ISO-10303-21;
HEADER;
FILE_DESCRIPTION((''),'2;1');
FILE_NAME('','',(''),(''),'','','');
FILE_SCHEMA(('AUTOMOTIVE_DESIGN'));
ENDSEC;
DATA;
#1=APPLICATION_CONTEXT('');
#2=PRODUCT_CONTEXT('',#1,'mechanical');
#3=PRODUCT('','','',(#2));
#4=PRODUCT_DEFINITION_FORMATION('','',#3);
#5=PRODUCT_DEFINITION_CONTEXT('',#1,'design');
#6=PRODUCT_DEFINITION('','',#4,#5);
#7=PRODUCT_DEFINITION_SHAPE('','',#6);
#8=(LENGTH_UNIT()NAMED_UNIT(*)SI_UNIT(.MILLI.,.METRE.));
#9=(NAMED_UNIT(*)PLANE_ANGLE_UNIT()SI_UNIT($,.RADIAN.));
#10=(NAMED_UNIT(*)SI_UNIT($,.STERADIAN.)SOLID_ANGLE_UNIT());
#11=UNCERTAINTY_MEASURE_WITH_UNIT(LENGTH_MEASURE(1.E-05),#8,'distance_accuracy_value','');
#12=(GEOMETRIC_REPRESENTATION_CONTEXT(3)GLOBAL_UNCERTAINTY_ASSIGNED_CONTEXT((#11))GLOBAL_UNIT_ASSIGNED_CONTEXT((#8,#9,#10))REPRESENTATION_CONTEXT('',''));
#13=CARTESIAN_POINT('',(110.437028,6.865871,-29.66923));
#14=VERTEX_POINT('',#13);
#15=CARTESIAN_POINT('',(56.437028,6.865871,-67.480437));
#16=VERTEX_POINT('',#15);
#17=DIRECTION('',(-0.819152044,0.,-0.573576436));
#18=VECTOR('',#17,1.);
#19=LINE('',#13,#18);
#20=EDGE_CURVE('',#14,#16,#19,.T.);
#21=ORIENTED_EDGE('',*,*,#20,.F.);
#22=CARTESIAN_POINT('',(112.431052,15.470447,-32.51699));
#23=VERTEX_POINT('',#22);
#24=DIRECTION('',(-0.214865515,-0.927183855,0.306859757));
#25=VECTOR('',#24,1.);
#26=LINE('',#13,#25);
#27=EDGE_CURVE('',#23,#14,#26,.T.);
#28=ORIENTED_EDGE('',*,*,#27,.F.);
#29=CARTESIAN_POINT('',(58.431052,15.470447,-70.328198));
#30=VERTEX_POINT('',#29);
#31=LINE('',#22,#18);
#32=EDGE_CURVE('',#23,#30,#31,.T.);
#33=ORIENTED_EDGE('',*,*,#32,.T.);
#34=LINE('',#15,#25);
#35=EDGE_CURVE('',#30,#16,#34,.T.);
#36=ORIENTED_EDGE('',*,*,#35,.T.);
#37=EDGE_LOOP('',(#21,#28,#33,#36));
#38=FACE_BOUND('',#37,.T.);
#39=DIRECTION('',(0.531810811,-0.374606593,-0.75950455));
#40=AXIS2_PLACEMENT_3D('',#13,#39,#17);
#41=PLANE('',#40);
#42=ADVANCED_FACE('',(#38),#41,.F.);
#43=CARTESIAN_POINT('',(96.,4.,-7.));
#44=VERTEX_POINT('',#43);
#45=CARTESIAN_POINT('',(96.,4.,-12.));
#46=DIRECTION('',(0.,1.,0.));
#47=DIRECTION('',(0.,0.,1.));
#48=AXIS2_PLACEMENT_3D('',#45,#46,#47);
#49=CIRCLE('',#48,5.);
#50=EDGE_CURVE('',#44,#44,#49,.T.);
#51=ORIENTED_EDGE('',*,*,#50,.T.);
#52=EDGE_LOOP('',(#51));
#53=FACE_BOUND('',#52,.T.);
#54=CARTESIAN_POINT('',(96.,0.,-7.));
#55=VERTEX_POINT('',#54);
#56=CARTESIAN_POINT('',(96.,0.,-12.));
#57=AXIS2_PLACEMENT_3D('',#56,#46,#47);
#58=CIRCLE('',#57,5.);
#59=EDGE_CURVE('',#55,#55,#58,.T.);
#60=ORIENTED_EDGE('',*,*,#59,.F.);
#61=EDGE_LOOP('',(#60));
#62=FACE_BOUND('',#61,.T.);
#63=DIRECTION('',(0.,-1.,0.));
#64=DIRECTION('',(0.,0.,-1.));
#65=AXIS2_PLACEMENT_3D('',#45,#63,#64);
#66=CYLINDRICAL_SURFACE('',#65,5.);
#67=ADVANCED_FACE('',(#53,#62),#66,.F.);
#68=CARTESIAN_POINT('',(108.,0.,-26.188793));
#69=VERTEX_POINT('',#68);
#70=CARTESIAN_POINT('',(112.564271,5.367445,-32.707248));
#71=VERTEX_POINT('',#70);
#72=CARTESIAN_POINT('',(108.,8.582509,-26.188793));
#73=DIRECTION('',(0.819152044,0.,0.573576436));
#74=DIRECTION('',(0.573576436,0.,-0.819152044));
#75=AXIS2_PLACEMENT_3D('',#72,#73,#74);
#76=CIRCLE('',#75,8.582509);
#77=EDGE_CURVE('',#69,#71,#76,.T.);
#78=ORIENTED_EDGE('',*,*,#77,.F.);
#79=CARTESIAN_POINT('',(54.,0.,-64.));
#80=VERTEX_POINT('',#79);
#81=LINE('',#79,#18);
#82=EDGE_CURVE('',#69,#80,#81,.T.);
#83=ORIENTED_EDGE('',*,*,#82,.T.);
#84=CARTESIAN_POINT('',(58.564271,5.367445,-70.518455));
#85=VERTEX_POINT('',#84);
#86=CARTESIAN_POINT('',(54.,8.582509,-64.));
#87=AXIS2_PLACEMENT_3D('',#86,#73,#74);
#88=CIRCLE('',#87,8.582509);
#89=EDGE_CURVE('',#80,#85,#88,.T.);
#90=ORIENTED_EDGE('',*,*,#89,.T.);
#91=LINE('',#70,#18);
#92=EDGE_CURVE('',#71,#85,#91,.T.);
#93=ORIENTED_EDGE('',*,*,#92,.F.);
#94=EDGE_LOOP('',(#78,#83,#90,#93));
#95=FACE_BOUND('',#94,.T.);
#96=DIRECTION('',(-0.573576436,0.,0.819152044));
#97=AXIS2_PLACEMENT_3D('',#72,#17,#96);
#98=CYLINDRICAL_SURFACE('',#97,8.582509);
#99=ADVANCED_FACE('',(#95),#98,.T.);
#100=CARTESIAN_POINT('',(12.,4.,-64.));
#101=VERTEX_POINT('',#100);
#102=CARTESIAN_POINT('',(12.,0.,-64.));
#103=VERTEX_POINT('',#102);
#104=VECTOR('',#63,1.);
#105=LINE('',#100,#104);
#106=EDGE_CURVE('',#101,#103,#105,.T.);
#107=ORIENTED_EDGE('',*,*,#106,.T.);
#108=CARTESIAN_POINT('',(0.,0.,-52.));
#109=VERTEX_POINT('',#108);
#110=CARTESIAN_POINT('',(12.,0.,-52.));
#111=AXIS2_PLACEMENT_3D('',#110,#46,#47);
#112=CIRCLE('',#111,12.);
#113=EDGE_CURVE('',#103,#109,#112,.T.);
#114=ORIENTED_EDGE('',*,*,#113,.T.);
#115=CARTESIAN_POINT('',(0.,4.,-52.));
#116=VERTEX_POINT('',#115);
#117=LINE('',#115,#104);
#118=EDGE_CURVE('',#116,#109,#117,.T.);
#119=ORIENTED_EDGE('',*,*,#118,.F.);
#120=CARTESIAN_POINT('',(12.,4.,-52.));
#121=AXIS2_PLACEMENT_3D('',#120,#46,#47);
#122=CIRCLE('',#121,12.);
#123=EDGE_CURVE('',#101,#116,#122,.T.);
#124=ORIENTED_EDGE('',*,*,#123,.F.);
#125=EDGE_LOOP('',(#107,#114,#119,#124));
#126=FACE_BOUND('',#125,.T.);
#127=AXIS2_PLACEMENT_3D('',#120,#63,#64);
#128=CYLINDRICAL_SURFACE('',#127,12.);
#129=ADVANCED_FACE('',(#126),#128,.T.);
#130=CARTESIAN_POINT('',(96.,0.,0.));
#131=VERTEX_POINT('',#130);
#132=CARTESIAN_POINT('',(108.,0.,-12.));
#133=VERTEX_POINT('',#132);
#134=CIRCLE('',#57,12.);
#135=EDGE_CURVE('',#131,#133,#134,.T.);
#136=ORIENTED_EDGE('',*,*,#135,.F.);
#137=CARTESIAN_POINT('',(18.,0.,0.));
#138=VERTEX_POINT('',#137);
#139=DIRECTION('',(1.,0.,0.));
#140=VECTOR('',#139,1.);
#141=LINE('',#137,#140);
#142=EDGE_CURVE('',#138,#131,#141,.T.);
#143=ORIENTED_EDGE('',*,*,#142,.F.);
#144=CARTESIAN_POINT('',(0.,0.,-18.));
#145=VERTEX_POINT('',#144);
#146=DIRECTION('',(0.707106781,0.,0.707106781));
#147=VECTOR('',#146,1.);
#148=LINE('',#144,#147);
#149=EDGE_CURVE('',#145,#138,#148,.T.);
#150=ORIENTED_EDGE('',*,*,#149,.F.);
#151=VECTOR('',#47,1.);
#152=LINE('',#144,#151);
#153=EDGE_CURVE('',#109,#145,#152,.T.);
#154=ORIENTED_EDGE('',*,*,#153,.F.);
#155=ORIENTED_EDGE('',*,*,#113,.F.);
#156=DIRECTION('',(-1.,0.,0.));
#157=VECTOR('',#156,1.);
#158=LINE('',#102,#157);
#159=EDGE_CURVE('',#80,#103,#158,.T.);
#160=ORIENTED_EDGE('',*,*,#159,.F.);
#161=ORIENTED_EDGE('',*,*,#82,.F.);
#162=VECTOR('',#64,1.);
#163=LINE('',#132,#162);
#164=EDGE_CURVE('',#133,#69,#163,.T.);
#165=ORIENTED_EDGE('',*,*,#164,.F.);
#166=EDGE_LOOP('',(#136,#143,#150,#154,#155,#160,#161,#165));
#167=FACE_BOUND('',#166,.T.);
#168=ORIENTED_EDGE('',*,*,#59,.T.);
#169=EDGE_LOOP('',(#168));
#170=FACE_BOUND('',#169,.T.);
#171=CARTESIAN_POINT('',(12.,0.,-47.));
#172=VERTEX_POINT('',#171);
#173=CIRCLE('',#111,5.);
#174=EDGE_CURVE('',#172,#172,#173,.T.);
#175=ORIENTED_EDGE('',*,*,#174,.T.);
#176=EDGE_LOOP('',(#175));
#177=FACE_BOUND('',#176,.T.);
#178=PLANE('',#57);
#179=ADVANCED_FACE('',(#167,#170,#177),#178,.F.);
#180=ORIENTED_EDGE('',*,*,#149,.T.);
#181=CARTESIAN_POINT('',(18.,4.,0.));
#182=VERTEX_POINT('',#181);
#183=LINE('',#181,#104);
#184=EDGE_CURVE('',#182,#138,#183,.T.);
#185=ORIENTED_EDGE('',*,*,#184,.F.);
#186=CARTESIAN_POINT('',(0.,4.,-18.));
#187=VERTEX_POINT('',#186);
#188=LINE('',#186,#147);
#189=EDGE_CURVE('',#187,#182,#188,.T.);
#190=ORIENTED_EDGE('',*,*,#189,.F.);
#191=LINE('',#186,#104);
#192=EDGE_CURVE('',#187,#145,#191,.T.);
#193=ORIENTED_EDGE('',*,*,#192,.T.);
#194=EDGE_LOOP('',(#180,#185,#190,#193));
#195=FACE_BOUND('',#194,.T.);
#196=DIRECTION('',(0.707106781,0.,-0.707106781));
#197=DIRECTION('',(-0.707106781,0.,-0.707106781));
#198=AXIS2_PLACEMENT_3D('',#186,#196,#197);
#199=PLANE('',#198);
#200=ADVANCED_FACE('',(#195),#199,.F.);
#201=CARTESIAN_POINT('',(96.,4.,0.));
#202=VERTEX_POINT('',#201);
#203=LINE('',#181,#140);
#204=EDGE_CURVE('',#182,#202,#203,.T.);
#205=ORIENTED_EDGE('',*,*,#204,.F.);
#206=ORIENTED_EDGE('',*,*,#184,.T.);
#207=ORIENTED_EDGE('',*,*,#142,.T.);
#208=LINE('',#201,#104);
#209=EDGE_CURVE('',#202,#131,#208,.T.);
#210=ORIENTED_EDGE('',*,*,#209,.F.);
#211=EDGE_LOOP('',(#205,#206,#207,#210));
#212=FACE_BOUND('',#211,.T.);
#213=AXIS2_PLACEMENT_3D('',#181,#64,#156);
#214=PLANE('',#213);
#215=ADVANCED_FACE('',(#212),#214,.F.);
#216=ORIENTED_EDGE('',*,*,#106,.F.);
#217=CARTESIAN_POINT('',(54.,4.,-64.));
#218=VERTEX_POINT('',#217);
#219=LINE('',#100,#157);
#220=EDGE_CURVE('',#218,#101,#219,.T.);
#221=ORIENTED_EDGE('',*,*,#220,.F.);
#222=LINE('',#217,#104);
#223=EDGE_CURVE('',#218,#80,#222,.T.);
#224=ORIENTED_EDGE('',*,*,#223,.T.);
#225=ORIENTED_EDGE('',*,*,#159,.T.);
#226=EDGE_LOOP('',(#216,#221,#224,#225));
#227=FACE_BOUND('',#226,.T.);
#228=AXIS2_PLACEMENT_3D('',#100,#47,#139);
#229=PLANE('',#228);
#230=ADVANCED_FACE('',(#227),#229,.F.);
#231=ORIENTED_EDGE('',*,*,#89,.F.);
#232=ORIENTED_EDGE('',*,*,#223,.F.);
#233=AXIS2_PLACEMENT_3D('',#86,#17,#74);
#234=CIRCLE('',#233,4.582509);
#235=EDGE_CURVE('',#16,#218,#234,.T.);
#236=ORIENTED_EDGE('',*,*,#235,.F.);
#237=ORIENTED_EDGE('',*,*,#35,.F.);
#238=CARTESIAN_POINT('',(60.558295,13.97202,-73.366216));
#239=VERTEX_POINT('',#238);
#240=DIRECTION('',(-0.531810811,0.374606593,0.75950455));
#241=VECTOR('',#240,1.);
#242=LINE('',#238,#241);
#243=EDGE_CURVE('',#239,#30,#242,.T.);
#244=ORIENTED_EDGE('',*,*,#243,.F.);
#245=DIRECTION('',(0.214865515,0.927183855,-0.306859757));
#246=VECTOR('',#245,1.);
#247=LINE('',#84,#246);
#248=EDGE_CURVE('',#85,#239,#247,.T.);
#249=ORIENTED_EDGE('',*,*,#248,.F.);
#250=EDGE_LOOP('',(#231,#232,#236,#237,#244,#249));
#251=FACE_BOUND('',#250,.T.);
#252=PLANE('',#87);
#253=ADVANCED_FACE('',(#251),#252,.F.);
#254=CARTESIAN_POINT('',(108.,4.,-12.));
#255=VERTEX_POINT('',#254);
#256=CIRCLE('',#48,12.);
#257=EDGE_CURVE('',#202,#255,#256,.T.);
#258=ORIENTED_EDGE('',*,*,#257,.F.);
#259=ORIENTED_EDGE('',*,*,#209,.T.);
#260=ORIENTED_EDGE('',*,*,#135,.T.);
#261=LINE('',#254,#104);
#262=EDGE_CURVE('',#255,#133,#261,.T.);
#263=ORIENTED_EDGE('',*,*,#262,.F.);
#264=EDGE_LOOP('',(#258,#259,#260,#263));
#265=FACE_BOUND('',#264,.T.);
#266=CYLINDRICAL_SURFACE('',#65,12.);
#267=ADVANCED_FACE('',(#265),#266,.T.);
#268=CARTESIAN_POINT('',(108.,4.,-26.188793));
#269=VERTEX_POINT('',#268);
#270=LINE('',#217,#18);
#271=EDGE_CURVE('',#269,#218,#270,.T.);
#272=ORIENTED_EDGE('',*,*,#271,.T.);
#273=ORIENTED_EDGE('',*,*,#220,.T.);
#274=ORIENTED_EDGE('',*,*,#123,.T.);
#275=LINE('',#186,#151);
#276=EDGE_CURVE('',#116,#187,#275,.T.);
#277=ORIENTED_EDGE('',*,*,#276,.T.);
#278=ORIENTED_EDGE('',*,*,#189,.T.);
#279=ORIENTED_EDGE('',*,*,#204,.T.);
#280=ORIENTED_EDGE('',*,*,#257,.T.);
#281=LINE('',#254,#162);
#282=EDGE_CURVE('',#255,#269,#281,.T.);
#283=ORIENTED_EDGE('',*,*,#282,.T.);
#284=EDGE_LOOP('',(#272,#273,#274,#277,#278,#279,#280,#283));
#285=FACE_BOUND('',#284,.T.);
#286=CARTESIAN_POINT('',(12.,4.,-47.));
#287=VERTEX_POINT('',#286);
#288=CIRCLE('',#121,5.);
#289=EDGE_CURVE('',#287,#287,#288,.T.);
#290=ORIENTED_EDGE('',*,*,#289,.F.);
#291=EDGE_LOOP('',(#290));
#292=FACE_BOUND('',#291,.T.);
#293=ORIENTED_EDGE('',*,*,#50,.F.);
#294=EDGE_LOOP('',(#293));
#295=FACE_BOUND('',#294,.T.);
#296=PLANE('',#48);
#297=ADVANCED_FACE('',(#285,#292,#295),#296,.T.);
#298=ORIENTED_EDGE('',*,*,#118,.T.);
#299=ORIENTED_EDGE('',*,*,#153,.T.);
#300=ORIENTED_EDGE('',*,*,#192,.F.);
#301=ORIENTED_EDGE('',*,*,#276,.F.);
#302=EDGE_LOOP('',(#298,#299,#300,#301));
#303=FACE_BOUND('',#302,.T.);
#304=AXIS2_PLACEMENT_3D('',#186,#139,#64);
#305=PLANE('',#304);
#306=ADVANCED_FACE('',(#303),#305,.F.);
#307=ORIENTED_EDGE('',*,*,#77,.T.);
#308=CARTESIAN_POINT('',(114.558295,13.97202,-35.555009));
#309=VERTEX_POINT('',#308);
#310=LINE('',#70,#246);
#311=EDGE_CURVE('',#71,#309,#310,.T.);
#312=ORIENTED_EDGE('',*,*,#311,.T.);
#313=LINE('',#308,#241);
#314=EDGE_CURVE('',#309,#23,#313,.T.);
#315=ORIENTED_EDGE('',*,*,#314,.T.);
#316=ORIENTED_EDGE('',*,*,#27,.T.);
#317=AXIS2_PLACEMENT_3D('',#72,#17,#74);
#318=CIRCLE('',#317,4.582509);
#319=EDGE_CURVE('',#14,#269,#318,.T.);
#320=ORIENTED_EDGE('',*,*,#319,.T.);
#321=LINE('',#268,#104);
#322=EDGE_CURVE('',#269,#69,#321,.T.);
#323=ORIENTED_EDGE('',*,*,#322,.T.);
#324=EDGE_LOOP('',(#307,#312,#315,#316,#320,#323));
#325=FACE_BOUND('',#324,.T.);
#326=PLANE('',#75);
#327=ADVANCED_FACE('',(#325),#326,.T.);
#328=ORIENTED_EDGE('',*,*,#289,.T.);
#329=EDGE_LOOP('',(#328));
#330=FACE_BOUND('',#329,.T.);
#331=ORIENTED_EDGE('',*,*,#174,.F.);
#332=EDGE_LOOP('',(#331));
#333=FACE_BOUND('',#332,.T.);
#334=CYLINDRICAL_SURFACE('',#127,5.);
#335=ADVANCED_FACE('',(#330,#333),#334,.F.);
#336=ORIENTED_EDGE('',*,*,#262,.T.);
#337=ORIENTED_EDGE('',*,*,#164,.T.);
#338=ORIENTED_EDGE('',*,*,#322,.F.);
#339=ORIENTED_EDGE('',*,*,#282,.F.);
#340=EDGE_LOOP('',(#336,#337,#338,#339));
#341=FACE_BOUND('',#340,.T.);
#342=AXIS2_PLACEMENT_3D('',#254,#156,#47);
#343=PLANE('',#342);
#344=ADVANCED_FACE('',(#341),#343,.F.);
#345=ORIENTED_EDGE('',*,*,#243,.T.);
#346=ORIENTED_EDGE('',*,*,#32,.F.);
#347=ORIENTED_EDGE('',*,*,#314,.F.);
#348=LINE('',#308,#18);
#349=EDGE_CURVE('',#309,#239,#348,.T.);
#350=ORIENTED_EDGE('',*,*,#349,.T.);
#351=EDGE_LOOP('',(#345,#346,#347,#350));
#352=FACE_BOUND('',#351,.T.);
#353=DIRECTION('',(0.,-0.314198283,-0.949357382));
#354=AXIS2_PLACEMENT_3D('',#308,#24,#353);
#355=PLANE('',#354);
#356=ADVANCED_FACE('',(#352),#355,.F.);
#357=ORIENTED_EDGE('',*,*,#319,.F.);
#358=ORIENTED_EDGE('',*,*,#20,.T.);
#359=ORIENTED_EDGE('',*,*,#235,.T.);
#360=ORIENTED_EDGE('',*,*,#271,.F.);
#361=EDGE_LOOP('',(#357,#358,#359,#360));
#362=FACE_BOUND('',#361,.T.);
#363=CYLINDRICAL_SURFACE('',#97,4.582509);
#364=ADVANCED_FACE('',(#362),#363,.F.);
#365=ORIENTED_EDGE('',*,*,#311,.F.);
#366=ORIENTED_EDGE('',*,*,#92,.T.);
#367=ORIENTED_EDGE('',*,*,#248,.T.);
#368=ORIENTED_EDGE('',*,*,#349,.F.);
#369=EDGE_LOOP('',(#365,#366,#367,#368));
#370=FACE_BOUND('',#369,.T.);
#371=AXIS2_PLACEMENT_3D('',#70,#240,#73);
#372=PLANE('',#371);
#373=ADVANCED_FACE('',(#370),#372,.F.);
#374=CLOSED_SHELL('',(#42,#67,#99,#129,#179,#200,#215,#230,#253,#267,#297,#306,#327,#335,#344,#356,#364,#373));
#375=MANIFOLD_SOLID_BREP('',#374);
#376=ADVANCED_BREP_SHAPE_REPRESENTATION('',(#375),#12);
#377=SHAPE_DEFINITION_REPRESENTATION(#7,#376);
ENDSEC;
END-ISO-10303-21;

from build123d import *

# Parameters (mm, degrees)
SKETCH2_R           = 5
BOSS_EXTRUDE2_DEPTH = 4
BOSS_EXTRUDE3_DEPTH = 65.921828


with BuildPart() as part:
    # Sketch2 → Boss-Extrude2 (new body)
    with BuildSketch(Plane(origin=(0, 0, 0), x_dir=(1, 0, 0), z_dir=(0, 1, 0))):
        with BuildLine():
            Line((0, 18), (18, 0))
            Line((18, 0), (96, 0))
            ThreePointArc((96, 0), (104.485281374, 3.514718626), (108, 12))
            Line((108, 12), (108, 26.188792937))
            Line((108, 26.188792937), (54, 64))
            Line((54, 64), (12, 64))
            ThreePointArc((12, 64), (3.514718626, 60.485281374), (0, 52))
            Line((0, 52), (0, 18))
        make_face()
        with Locations(Location((12, 52, 0), (0, 0, 270))):
            Circle(SKETCH2_R, mode=Mode.SUBTRACT)
        with Locations(Location((96, 12, 0), (0, 0, 270))):
            Circle(SKETCH2_R, mode=Mode.SUBTRACT)
    extrude(amount=BOSS_EXTRUDE2_DEPTH)

    # Sketch6 → Boss-Extrude3 (add)
    with BuildSketch(Plane(origin=(6.164380005, 0, 4.316345348), x_dir=(0.5735764363510455, 0, -0.8191520442889922), z_dir=(0.8191520442889922, 0, 0.5735764363510455))):
        with BuildLine():
            Line((91.356422356, 5.367444663), (94.832896583, 13.972020318))
            Line((94.832896583, 13.972020318), (91.124161165, 15.470446692))
            Line((91.124161165, 15.470446692), (87.647686938, 6.865871037))
            ThreePointArc((87.647686938, 6.865871037), (85.96136502, 4.783436896), (83.398858397, 4))
            Line((83.398858397, 4), (83.398858397, 0))
            ThreePointArc((83.398858397, 0), (88.198136634, 1.467286606), (91.356422356, 5.367444663))
        make_face()
    extrude(amount=BOSS_EXTRUDE3_DEPTH)


solid = part.part
